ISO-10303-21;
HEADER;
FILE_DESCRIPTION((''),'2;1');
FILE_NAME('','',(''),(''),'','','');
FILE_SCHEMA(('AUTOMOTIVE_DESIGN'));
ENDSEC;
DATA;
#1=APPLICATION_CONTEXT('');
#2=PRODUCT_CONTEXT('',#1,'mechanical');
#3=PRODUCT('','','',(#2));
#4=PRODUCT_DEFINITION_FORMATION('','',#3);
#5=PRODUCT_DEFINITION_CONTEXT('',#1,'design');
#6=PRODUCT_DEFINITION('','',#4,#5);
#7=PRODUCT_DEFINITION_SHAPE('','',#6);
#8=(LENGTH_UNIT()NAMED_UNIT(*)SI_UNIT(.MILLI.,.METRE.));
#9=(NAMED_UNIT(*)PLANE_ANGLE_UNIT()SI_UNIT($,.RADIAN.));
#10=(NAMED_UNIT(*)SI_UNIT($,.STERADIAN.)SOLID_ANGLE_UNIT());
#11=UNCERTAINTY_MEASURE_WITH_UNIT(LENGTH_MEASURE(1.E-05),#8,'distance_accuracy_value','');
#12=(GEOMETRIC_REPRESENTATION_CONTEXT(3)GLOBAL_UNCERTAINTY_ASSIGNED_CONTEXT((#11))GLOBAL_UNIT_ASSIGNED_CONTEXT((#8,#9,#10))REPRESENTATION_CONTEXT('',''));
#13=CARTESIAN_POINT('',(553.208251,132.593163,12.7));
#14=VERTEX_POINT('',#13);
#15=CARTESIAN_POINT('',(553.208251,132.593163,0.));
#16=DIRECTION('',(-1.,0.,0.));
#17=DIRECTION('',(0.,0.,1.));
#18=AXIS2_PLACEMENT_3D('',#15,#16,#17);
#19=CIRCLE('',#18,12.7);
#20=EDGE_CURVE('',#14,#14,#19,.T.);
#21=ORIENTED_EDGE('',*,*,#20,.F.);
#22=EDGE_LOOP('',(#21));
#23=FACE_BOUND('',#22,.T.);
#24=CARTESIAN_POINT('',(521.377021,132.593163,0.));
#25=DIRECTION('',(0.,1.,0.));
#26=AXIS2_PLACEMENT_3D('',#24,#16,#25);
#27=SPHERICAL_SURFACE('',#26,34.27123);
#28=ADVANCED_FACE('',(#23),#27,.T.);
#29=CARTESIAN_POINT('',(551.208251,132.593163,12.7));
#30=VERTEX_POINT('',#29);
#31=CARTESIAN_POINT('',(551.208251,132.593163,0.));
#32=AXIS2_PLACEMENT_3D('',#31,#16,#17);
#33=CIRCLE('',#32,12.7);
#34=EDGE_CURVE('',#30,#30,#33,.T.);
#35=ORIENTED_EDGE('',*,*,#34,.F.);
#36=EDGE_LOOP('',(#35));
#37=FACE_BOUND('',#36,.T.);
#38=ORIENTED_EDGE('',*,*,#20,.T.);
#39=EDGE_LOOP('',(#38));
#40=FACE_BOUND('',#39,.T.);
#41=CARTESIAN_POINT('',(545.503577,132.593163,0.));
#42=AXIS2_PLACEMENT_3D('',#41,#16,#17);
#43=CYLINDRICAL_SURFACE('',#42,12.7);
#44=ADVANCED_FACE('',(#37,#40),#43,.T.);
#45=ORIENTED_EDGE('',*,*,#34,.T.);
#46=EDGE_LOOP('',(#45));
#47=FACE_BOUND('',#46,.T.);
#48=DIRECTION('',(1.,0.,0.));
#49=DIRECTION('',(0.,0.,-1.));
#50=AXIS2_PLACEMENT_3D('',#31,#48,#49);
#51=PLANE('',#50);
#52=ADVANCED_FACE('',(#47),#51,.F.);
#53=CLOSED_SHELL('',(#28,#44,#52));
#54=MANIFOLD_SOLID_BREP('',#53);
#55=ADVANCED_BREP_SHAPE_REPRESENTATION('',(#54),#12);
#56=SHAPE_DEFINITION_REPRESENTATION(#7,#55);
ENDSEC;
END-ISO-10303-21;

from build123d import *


with BuildPart() as part:
    # 草图1 → 旋转1 (revolve)
    with BuildSketch(Plane.XY):
        with BuildLine():
            Line((551.208250683, 132.5931626), (551.208250683, 145.2931626))
            Line((551.208250683, 145.2931626), (553.208250683, 145.2931626))
            ThreePointArc((553.208250683, 145.2931626), (555.032723098, 139.059297458), (555.648250683, 132.5931626))
            Line((555.648250683, 132.5931626), (551.208250683, 132.5931626))
        make_face()
    revolve(axis=Axis((545.503577135, 132.5931626, 0), (1, 0, 0)))


solid = part.part
